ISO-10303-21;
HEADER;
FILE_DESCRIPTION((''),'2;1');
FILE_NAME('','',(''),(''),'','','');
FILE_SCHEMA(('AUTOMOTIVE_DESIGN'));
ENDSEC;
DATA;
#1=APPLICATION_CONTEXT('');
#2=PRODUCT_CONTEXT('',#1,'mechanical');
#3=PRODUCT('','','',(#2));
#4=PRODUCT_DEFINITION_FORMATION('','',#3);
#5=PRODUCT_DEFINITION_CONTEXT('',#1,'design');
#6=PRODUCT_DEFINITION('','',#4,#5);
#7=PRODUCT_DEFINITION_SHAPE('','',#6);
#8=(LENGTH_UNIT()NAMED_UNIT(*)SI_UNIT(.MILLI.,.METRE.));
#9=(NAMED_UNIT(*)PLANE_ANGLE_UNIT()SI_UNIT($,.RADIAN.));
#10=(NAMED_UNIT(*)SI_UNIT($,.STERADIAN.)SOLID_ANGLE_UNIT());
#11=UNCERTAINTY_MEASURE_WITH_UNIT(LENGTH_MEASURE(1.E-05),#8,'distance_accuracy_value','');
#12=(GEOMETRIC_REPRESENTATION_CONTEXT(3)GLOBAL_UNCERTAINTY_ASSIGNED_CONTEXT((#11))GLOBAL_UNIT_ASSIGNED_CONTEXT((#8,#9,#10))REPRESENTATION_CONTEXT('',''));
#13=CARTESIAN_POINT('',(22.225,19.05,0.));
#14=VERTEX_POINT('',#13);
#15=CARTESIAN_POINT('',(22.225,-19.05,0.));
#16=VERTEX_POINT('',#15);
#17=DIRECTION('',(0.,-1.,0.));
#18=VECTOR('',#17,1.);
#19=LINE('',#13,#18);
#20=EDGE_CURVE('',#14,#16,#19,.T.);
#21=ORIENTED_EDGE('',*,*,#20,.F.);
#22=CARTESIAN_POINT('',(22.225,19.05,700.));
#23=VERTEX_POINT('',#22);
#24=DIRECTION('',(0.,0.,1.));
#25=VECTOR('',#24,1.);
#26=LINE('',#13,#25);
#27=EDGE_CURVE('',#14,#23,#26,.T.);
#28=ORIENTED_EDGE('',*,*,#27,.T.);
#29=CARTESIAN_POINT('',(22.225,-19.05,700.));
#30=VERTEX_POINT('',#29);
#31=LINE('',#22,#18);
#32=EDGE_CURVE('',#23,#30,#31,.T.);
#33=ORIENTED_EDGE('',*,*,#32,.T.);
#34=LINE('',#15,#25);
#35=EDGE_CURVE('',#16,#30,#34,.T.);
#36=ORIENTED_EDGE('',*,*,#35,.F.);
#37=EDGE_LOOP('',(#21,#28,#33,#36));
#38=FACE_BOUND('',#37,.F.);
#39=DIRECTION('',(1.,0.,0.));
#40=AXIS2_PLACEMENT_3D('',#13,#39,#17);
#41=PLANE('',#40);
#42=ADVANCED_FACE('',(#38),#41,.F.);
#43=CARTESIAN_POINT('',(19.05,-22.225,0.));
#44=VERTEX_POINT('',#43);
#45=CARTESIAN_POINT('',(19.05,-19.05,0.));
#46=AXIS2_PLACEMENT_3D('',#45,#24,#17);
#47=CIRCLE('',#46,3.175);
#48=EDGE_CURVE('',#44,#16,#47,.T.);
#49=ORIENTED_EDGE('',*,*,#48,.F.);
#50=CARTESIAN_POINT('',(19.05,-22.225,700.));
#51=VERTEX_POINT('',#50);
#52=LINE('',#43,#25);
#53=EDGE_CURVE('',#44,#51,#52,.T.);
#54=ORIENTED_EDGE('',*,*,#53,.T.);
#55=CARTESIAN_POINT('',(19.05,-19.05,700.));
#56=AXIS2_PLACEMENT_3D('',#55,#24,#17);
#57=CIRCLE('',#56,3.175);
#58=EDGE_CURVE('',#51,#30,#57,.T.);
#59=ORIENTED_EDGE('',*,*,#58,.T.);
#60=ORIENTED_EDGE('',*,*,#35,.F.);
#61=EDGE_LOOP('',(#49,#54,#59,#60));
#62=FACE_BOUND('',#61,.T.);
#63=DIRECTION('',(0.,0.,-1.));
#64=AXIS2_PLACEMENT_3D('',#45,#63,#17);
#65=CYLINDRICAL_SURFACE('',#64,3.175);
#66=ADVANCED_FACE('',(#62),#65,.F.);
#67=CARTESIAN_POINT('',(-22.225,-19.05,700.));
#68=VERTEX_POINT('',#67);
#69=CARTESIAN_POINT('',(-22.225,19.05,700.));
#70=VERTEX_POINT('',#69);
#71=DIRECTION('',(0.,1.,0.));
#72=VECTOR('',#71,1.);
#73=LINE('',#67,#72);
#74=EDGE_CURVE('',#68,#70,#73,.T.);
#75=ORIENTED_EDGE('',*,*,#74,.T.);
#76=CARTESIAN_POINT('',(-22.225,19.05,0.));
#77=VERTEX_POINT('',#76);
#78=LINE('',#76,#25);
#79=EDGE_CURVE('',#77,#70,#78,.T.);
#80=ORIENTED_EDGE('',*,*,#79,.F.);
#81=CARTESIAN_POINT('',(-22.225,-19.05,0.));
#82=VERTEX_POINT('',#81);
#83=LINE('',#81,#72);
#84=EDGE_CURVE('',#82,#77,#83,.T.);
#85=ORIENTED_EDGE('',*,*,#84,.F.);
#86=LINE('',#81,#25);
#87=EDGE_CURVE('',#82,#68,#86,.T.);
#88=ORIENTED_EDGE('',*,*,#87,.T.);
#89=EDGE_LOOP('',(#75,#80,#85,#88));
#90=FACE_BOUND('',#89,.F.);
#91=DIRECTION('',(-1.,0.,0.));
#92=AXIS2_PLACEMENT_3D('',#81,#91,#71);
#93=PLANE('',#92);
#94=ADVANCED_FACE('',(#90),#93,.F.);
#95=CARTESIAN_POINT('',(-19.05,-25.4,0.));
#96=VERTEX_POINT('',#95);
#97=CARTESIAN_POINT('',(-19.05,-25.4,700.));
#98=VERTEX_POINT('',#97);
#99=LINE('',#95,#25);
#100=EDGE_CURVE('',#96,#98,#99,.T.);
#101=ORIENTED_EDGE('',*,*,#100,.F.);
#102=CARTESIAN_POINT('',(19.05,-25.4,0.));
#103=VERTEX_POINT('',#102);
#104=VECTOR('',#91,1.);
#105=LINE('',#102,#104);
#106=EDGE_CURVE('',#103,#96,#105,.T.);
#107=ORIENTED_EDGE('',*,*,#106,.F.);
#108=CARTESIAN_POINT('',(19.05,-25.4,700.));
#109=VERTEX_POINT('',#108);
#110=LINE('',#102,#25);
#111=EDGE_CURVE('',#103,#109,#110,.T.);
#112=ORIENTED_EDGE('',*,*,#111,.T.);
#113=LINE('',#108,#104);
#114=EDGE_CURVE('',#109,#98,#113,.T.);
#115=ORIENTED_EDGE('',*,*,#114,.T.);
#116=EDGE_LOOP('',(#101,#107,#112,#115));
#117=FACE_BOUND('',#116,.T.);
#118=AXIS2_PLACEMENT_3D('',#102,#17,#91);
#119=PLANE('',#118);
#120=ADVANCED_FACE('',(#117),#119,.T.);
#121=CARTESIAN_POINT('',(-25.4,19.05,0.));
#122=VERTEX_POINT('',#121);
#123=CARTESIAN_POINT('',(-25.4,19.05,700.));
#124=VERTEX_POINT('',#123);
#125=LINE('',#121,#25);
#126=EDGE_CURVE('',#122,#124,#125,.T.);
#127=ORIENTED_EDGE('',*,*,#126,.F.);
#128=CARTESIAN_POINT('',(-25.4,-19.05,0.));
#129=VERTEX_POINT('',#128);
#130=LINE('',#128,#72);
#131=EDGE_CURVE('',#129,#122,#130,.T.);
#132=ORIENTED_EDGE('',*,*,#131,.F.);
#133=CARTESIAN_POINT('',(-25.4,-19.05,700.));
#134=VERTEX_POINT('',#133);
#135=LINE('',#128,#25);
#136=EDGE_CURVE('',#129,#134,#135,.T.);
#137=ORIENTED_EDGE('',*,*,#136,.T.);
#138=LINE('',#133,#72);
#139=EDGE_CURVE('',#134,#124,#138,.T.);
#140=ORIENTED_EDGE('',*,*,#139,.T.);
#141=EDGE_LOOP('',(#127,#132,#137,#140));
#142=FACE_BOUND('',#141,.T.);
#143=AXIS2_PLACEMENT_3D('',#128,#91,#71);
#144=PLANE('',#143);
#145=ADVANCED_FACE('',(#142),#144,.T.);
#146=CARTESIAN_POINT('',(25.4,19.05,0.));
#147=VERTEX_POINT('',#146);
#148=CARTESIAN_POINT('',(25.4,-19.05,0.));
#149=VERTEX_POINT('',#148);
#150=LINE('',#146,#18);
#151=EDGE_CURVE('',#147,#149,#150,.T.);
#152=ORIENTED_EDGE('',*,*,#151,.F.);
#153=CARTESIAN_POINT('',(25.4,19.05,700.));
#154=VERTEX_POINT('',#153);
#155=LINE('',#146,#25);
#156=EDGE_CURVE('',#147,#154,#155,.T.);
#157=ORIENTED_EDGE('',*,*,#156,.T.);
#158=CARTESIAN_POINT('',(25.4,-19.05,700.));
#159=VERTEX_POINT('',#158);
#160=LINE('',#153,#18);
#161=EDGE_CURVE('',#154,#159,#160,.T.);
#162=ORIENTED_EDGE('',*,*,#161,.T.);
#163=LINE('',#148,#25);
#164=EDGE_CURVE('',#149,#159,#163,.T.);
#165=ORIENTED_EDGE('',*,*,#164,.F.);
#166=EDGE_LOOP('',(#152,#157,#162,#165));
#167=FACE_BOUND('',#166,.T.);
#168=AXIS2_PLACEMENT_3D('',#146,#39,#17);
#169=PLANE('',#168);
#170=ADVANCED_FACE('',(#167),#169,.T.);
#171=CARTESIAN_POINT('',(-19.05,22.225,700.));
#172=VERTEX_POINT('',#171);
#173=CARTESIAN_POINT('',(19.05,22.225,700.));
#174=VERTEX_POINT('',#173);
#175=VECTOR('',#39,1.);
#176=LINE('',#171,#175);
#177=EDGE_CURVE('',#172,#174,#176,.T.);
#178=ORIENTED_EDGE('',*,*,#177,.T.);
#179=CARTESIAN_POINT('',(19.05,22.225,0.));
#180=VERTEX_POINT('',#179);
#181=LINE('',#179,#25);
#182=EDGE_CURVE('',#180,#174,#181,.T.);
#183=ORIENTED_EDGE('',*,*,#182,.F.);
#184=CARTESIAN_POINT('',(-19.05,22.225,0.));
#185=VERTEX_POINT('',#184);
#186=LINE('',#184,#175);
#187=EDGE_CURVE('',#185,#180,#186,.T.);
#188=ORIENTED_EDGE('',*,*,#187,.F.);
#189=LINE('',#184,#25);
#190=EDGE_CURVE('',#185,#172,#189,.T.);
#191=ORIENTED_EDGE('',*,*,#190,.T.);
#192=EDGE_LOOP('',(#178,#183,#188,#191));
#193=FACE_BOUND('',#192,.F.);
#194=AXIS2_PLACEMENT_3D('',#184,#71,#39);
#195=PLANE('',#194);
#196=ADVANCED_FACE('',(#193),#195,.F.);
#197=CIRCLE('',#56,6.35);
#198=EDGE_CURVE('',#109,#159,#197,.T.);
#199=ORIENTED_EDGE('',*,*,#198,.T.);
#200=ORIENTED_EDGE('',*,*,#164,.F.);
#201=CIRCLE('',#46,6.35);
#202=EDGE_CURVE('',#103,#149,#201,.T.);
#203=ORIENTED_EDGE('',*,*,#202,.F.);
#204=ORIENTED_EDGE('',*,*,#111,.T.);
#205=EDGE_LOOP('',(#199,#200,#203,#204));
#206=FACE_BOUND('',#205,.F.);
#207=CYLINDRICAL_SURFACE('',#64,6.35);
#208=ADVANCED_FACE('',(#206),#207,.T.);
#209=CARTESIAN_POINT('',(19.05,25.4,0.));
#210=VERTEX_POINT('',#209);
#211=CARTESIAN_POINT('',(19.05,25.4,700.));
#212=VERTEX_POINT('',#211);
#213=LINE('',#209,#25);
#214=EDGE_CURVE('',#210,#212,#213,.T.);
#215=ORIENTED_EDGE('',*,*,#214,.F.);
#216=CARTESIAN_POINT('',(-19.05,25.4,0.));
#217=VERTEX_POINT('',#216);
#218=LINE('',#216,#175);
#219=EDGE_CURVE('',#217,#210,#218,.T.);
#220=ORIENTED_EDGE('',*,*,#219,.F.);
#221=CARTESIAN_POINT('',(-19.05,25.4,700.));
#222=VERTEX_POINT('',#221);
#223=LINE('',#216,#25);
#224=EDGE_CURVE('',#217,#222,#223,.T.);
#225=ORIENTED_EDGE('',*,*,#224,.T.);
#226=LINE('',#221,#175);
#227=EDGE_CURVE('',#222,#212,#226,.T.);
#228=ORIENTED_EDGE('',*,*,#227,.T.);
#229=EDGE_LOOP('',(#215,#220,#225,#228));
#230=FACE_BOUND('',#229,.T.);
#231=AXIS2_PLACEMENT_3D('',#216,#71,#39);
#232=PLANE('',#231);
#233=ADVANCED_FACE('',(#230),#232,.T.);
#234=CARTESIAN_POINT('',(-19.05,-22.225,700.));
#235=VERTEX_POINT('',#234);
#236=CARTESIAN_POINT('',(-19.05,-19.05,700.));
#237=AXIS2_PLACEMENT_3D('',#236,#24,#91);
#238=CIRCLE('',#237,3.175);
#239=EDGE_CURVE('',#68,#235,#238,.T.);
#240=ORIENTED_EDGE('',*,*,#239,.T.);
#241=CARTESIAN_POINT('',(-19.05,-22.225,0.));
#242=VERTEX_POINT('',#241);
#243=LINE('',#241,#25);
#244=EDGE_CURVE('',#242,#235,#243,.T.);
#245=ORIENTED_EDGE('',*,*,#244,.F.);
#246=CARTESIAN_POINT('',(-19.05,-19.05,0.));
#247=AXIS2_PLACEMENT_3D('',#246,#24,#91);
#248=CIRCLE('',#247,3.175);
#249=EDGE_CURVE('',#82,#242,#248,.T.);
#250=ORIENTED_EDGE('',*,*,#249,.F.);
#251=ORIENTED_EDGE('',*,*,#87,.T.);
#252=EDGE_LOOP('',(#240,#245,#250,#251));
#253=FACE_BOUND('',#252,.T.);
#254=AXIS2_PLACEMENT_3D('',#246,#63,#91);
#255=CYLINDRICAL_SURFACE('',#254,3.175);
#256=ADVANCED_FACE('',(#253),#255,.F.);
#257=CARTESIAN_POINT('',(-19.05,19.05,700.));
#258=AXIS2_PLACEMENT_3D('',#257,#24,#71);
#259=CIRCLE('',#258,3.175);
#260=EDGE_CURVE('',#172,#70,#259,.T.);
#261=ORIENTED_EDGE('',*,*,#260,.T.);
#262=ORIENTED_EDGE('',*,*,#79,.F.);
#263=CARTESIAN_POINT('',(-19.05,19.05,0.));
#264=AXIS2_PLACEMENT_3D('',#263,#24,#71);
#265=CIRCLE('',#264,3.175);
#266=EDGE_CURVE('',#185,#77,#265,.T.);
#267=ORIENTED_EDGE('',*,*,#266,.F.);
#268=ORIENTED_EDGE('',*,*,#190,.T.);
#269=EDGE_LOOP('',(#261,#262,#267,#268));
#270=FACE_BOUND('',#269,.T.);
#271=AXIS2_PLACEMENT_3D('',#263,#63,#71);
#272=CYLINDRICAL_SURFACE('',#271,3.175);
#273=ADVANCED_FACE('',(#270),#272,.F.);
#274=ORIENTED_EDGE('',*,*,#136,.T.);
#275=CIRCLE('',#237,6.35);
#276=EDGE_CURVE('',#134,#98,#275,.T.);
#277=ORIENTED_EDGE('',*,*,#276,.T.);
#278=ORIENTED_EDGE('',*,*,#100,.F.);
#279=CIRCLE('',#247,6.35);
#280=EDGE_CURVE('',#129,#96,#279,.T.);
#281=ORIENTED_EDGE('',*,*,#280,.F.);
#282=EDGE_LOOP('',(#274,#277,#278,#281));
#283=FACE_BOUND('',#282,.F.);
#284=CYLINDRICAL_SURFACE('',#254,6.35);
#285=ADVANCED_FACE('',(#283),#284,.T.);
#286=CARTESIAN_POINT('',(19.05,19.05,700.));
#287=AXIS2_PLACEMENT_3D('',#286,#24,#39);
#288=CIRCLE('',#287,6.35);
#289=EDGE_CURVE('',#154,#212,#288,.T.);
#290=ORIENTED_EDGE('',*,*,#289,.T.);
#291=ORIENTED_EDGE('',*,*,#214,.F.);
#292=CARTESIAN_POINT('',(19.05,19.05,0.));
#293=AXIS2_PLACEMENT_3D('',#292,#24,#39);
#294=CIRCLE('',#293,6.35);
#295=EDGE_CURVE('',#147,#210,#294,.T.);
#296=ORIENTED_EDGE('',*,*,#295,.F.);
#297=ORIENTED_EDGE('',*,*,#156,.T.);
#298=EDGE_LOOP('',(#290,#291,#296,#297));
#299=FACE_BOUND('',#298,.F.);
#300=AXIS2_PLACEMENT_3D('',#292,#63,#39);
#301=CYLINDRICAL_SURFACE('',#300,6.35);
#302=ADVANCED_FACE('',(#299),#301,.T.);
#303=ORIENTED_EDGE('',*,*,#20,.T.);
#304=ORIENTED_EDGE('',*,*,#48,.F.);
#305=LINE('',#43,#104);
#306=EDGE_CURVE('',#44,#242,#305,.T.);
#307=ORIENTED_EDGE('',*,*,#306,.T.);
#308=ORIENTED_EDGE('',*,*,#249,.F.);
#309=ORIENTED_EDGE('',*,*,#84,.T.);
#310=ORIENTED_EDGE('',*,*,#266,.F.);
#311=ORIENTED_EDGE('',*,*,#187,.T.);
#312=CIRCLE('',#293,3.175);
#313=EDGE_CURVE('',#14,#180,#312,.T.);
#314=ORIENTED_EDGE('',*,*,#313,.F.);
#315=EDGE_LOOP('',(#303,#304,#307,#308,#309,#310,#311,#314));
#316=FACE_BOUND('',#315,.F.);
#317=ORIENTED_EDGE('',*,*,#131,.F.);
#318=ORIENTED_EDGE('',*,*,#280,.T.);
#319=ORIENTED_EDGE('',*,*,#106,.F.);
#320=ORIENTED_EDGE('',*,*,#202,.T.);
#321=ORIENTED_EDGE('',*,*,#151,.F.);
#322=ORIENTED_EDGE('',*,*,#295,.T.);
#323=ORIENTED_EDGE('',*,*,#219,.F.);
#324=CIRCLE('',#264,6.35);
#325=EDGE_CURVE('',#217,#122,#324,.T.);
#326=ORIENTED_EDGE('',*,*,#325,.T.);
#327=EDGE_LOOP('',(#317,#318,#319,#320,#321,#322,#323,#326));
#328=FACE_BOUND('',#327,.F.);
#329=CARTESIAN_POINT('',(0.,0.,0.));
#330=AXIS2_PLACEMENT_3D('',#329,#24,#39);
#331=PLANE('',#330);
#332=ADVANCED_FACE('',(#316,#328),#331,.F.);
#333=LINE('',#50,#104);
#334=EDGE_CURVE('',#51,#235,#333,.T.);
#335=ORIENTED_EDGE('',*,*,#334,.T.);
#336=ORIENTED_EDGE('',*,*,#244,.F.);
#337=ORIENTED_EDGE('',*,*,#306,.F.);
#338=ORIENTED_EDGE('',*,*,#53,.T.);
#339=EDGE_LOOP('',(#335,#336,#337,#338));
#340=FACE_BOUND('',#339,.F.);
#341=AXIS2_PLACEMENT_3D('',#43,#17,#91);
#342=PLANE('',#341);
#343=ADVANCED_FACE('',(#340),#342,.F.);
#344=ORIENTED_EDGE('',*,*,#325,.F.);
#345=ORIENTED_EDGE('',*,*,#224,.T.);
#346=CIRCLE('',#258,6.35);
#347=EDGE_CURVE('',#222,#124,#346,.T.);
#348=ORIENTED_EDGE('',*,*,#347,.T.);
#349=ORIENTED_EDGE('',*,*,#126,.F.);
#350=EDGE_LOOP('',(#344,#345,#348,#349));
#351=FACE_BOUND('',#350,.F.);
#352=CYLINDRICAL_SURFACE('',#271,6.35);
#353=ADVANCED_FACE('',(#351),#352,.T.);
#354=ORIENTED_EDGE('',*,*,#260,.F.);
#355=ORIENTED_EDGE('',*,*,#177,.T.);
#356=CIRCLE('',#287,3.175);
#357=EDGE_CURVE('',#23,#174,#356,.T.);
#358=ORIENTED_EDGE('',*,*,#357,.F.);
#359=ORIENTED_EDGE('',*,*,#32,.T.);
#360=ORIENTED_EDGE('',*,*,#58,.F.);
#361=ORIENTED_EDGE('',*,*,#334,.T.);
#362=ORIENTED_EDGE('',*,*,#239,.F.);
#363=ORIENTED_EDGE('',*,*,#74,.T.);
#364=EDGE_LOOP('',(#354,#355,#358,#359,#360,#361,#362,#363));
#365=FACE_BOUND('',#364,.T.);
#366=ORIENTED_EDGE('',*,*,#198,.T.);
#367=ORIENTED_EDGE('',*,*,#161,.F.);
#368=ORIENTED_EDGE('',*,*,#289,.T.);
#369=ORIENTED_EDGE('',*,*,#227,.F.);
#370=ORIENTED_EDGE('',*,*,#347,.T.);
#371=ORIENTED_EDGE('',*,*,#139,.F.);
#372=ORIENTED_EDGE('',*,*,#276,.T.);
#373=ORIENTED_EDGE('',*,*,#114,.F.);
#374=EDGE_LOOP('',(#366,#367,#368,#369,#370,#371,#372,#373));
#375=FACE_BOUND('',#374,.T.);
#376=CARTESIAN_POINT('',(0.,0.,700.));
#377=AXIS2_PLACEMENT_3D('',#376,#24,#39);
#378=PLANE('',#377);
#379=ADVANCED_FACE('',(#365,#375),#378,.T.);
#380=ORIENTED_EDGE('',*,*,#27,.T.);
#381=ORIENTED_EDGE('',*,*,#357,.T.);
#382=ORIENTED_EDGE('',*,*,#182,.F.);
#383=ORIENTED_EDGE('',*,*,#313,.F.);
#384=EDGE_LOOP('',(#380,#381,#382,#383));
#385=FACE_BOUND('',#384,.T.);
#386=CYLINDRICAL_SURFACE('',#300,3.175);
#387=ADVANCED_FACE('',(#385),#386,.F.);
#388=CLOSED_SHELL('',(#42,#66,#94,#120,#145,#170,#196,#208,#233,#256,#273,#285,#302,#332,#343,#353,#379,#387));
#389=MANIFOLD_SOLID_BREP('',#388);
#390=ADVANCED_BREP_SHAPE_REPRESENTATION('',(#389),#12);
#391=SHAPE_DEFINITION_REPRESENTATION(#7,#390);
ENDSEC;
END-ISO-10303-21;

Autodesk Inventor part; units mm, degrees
ref_plane "YZ Plane" through (0, 0, 0) normal (1, 0, 0) x (0, 1, 0)
ref_plane "Plano inicial" through (0, 0, 0) normal (0, 0, 1) x (1, 0, 0)
ref_plane "Plano final" through (0, 0, 700) normal (0, 0, 1) x (1, 0, 0)
sketch "Boceto" plane through (0, 0, 0) normal (0, 0, 1) x (1, 0, 0)
  line L0 (-25.4, -19.05) -> (-25.4, 19.05)
  line L1 (-19.05, 25.4) -> (19.05, 25.4)
  line L2 (25.4, 19.05) -> (25.4, -19.05)
  line L3 (19.05, -25.4) -> (-19.05, -25.4)
  arc A0 (-25.4, -19.05) -> (-19.05, -25.4) centre (-19.05, -19.05) ccw
  arc A1 (-19.05, 25.4) -> (-25.4, 19.05) centre (-19.05, 19.05) ccw
  arc A2 (25.4, 19.05) -> (19.05, 25.4) centre (19.05, 19.05) ccw
  arc A3 (19.05, -25.4) -> (25.4, -19.05) centre (19.05, -19.05) ccw
  arc A4 (-19.05, 22.225) -> (-22.225, 19.05) centre (-19.05, 19.05) ccw
  line L4 (-19.05, 22.225) -> (19.05, 22.225)
  arc A5 (22.225, 19.05) -> (19.05, 22.225) centre (19.05, 19.05) ccw
  line L5 (22.225, 19.05) -> (22.225, -19.05)
  arc A6 (19.05, -22.225) -> (22.225, -19.05) centre (19.05, -19.05) ccw
  line L6 (19.05, -22.225) -> (-19.05, -22.225)
  arc A7 (-22.225, -19.05) -> (-19.05, -22.225) centre (-19.05, -19.05) ccw
  line L7 (-22.225, -19.05) -> (-22.225, 19.05)
  line L8 (0, 37.4012) -> (0, -37.4012) construction
  line L9 (-37.4012, 0) -> (37.4012, 0) construction
  dimension "d10" = 50.8
  dimension "d11" = 50.8
  dimension "d12" = 3.175
  dimension "d15" = 25.4
  dimension "d16" = 25.4
  dimension "d17" = 6.35
extrude "Cuerpo" add sketch "Boceto" along normal up to surface (700 mm away) from surface at 0
sketch "Sketch3" plane through (0, 0, 0) normal (0, 0, 1) x (1, 0, 0)
  line L0 (0, 0) -> (10, 0)
ref_plane "Work Plane3" through (0, 0, 0) normal (0, -1, 0) x (1, 0, 0)
sketch "Sketch4" plane through (0, 0, 0) normal (0, -1, 0) x (1, 0, 0)
  line L0 (-2, 0) -> (12, 0) projected
  line L1 (-2, 700) -> (12, 700) projected
  dimension "d19" = 700
equation "\"d10\" = G_H"
equation "\"d11\" = G_W"
equation "\"d12\" = G_T"
equation "\"d15\" = 0.5 * d10"
equation "\"d16\" = 0.5 * d11"
equation "\"d17\" = G_IR"
equation "\"d3\" = G_L"
equation "\"G_W\" = 50.8"
equation "\"G_H\" = 50.8"
equation "\"G_T\" = 3.175"
equation "\"G_IR\" = 6.35"
equation "\"G_L\" = d19"
equation "\"G_OFFSET_START\" = 0"
equation "\"G_OFFSET_END\" = 0"
equation "\"d14\" = G_OFFSET_END + B_L"
equation "\"B_L\" = 700"
properties part number "AISC - 2 x 2 x 1/8 - 27,559" material "Acero, suave"
